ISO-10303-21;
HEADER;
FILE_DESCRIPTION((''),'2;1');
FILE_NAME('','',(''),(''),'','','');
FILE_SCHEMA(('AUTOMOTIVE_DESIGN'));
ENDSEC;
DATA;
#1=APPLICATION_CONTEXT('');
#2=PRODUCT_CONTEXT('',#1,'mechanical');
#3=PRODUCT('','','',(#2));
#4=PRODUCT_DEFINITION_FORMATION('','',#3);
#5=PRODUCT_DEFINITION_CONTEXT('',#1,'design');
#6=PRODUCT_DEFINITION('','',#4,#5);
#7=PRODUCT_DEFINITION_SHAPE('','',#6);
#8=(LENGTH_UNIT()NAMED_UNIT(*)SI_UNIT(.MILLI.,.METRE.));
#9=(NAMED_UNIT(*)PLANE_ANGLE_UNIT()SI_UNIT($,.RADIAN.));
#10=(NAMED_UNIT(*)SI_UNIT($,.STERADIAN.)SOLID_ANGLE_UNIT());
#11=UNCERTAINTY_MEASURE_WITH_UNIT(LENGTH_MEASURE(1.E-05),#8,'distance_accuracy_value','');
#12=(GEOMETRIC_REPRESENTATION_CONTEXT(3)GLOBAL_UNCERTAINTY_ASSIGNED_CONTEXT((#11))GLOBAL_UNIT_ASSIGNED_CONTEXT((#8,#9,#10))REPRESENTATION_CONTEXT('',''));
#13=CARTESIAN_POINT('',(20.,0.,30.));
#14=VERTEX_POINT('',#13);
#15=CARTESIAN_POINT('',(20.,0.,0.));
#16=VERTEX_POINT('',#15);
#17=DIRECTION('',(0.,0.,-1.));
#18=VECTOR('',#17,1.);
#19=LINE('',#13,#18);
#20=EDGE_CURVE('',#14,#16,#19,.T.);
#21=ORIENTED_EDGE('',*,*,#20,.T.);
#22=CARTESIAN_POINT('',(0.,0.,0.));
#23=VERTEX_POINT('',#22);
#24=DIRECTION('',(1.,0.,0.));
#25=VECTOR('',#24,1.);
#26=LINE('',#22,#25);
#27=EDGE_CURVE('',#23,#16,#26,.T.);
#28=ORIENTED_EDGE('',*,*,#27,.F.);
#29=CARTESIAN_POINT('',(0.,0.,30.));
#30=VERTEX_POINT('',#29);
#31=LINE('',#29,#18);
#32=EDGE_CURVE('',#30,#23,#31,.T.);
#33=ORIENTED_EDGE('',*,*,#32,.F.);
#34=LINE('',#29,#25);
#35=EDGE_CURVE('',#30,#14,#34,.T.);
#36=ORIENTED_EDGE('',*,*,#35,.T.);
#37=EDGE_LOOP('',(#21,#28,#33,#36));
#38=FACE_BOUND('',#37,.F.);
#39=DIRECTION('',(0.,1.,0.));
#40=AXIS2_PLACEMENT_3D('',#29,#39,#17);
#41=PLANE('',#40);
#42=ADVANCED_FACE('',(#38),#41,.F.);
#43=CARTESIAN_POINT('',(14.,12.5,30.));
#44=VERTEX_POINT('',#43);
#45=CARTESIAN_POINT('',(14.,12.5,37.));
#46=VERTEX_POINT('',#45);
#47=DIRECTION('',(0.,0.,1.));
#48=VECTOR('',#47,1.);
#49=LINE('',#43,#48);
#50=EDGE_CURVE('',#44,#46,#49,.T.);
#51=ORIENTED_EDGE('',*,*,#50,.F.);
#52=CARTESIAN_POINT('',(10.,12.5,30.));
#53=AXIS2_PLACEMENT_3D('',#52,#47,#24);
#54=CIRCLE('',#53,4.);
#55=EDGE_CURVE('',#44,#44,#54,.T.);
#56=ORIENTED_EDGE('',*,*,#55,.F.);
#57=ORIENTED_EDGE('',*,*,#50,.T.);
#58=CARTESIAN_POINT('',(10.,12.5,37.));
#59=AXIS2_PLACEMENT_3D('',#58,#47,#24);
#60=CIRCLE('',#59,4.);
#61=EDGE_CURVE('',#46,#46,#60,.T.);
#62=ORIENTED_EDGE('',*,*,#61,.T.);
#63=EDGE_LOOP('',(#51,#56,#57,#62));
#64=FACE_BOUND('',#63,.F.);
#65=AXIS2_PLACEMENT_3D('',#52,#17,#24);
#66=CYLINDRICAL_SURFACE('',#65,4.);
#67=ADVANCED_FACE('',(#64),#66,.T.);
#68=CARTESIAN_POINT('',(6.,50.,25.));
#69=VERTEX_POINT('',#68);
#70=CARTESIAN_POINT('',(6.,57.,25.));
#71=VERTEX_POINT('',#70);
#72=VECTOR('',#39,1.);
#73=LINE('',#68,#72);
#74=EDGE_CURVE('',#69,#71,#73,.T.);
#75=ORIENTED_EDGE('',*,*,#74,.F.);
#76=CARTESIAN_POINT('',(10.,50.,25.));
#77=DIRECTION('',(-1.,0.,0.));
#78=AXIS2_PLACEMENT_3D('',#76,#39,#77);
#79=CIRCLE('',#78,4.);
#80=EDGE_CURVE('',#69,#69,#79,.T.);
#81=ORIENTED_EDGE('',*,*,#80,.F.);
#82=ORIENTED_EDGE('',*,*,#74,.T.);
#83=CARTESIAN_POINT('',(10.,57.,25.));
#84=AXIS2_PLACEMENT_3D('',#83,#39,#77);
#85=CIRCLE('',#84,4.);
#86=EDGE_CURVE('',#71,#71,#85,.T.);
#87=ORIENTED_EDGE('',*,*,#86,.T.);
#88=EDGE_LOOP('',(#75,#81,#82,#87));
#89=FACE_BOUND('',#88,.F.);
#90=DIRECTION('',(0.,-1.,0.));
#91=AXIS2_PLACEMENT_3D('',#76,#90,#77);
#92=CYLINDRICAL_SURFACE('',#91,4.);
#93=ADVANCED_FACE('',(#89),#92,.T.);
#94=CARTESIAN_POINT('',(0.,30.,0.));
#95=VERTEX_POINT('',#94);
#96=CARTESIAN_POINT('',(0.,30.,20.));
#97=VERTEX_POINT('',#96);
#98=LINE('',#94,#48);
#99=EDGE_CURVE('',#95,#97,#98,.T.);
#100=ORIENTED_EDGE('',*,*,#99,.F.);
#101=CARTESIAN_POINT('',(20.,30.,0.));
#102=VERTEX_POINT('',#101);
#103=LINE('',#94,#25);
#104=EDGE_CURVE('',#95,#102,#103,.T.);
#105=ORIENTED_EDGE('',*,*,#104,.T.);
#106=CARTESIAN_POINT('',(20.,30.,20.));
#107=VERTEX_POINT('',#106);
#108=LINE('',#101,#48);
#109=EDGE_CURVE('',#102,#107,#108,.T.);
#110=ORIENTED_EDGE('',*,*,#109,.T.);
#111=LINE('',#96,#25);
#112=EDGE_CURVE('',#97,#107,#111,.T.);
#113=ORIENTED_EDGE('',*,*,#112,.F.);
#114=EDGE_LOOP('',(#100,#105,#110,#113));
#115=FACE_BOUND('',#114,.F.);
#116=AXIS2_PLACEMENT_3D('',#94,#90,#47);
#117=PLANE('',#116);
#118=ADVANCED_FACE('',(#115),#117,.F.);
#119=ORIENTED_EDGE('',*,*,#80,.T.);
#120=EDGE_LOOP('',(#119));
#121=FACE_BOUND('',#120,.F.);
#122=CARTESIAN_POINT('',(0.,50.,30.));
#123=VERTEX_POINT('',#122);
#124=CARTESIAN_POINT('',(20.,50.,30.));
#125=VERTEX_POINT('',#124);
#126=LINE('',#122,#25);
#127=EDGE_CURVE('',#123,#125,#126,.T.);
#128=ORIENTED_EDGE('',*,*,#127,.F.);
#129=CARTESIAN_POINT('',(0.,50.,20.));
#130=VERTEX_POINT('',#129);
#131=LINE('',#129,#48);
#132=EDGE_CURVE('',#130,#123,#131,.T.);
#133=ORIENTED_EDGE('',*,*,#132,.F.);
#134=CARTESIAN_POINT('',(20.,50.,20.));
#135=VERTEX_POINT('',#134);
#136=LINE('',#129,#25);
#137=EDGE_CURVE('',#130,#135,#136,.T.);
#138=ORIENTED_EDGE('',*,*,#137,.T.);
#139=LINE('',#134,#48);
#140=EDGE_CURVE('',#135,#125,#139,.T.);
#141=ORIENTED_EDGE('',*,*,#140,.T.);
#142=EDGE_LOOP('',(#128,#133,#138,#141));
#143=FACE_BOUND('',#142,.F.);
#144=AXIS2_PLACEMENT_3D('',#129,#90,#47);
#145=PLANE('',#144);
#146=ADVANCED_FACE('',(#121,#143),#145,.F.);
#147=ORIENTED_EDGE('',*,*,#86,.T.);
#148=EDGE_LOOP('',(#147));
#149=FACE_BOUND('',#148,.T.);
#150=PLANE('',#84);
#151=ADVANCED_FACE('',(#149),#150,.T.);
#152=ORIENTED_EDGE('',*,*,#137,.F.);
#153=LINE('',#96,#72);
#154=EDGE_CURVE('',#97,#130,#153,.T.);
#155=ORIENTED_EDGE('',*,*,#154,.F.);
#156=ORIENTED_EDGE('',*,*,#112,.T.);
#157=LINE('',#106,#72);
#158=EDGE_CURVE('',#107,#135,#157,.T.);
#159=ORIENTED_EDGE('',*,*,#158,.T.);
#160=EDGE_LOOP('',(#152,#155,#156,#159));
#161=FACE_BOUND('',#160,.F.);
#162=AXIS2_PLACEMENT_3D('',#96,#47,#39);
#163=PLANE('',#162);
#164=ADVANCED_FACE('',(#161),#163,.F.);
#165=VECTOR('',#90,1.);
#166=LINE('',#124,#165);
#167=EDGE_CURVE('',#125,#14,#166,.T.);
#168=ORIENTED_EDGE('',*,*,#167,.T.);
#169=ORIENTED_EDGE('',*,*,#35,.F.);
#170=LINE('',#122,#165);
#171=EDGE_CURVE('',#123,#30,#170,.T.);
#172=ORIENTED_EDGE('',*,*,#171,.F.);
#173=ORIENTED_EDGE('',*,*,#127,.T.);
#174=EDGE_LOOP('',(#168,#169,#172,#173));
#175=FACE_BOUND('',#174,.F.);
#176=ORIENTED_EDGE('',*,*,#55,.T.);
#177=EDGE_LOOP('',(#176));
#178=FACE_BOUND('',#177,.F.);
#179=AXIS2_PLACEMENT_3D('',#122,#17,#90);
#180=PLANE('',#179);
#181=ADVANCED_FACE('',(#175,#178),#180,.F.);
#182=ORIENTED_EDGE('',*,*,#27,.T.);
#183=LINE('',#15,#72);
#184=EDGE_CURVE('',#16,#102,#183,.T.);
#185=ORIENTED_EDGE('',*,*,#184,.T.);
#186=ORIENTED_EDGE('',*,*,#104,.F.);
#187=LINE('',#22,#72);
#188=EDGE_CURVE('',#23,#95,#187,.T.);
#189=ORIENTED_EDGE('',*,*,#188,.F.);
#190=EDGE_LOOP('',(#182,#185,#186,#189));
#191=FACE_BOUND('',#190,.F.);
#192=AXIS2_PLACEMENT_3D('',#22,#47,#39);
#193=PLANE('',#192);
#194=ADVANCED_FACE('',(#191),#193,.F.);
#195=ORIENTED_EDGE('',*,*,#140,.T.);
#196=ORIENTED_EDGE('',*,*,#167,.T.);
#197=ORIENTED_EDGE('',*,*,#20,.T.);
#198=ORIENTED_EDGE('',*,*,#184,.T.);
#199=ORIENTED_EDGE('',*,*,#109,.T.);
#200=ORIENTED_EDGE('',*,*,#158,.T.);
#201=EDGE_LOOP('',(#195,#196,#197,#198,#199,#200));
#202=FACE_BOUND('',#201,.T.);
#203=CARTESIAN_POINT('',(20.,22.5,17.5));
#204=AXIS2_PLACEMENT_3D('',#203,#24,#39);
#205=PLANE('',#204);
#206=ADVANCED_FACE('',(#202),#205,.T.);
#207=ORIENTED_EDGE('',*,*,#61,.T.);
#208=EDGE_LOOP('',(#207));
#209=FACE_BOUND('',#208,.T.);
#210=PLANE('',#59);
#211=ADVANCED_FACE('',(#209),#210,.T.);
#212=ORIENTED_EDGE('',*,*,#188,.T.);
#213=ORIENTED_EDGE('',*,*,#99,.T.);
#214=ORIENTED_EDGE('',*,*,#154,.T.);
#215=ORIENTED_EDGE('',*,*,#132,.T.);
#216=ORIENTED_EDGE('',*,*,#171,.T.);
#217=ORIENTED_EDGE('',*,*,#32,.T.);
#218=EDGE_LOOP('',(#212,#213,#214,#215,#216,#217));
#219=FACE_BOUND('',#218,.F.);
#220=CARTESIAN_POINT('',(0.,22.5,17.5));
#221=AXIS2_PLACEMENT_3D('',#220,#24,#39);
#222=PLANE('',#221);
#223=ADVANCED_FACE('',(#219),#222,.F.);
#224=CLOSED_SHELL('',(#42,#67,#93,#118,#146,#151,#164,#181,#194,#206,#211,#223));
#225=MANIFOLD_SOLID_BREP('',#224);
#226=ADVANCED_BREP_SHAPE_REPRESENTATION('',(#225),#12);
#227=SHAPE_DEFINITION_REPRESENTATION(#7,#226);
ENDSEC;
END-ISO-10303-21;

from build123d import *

# Parameters (mm, degrees)
F1_DEPTH = 20
F2_R     = 4
F3_DEPTH = 7
F4_R     = 4
F5_DEPTH = 7


with BuildPart() as f1:
    # F0 (on Right) → F1 (new body)
    with BuildSketch(Plane.YZ):
        Polygon((0, 30), (0, 0), (30, 0), (30, 20), (50, 20), (50, 30), align=None)
    extrude(amount=F1_DEPTH)

    # F2 (on face) → F3 (join)
    with BuildSketch(Plane(origin=(0, 50, 0), x_dir=(-1, 0, 0), z_dir=(0, 1, 0))):
        with Locations((-10, 25)):
            Circle(F2_R)
    extrude(amount=F3_DEPTH)

    # F4 (on face) → F5 (join)
    with BuildSketch(Plane.XY.offset(30)):
        with Locations((10, 12.5)):
            Circle(F4_R)
    extrude(amount=F5_DEPTH)


solid = f1.part
